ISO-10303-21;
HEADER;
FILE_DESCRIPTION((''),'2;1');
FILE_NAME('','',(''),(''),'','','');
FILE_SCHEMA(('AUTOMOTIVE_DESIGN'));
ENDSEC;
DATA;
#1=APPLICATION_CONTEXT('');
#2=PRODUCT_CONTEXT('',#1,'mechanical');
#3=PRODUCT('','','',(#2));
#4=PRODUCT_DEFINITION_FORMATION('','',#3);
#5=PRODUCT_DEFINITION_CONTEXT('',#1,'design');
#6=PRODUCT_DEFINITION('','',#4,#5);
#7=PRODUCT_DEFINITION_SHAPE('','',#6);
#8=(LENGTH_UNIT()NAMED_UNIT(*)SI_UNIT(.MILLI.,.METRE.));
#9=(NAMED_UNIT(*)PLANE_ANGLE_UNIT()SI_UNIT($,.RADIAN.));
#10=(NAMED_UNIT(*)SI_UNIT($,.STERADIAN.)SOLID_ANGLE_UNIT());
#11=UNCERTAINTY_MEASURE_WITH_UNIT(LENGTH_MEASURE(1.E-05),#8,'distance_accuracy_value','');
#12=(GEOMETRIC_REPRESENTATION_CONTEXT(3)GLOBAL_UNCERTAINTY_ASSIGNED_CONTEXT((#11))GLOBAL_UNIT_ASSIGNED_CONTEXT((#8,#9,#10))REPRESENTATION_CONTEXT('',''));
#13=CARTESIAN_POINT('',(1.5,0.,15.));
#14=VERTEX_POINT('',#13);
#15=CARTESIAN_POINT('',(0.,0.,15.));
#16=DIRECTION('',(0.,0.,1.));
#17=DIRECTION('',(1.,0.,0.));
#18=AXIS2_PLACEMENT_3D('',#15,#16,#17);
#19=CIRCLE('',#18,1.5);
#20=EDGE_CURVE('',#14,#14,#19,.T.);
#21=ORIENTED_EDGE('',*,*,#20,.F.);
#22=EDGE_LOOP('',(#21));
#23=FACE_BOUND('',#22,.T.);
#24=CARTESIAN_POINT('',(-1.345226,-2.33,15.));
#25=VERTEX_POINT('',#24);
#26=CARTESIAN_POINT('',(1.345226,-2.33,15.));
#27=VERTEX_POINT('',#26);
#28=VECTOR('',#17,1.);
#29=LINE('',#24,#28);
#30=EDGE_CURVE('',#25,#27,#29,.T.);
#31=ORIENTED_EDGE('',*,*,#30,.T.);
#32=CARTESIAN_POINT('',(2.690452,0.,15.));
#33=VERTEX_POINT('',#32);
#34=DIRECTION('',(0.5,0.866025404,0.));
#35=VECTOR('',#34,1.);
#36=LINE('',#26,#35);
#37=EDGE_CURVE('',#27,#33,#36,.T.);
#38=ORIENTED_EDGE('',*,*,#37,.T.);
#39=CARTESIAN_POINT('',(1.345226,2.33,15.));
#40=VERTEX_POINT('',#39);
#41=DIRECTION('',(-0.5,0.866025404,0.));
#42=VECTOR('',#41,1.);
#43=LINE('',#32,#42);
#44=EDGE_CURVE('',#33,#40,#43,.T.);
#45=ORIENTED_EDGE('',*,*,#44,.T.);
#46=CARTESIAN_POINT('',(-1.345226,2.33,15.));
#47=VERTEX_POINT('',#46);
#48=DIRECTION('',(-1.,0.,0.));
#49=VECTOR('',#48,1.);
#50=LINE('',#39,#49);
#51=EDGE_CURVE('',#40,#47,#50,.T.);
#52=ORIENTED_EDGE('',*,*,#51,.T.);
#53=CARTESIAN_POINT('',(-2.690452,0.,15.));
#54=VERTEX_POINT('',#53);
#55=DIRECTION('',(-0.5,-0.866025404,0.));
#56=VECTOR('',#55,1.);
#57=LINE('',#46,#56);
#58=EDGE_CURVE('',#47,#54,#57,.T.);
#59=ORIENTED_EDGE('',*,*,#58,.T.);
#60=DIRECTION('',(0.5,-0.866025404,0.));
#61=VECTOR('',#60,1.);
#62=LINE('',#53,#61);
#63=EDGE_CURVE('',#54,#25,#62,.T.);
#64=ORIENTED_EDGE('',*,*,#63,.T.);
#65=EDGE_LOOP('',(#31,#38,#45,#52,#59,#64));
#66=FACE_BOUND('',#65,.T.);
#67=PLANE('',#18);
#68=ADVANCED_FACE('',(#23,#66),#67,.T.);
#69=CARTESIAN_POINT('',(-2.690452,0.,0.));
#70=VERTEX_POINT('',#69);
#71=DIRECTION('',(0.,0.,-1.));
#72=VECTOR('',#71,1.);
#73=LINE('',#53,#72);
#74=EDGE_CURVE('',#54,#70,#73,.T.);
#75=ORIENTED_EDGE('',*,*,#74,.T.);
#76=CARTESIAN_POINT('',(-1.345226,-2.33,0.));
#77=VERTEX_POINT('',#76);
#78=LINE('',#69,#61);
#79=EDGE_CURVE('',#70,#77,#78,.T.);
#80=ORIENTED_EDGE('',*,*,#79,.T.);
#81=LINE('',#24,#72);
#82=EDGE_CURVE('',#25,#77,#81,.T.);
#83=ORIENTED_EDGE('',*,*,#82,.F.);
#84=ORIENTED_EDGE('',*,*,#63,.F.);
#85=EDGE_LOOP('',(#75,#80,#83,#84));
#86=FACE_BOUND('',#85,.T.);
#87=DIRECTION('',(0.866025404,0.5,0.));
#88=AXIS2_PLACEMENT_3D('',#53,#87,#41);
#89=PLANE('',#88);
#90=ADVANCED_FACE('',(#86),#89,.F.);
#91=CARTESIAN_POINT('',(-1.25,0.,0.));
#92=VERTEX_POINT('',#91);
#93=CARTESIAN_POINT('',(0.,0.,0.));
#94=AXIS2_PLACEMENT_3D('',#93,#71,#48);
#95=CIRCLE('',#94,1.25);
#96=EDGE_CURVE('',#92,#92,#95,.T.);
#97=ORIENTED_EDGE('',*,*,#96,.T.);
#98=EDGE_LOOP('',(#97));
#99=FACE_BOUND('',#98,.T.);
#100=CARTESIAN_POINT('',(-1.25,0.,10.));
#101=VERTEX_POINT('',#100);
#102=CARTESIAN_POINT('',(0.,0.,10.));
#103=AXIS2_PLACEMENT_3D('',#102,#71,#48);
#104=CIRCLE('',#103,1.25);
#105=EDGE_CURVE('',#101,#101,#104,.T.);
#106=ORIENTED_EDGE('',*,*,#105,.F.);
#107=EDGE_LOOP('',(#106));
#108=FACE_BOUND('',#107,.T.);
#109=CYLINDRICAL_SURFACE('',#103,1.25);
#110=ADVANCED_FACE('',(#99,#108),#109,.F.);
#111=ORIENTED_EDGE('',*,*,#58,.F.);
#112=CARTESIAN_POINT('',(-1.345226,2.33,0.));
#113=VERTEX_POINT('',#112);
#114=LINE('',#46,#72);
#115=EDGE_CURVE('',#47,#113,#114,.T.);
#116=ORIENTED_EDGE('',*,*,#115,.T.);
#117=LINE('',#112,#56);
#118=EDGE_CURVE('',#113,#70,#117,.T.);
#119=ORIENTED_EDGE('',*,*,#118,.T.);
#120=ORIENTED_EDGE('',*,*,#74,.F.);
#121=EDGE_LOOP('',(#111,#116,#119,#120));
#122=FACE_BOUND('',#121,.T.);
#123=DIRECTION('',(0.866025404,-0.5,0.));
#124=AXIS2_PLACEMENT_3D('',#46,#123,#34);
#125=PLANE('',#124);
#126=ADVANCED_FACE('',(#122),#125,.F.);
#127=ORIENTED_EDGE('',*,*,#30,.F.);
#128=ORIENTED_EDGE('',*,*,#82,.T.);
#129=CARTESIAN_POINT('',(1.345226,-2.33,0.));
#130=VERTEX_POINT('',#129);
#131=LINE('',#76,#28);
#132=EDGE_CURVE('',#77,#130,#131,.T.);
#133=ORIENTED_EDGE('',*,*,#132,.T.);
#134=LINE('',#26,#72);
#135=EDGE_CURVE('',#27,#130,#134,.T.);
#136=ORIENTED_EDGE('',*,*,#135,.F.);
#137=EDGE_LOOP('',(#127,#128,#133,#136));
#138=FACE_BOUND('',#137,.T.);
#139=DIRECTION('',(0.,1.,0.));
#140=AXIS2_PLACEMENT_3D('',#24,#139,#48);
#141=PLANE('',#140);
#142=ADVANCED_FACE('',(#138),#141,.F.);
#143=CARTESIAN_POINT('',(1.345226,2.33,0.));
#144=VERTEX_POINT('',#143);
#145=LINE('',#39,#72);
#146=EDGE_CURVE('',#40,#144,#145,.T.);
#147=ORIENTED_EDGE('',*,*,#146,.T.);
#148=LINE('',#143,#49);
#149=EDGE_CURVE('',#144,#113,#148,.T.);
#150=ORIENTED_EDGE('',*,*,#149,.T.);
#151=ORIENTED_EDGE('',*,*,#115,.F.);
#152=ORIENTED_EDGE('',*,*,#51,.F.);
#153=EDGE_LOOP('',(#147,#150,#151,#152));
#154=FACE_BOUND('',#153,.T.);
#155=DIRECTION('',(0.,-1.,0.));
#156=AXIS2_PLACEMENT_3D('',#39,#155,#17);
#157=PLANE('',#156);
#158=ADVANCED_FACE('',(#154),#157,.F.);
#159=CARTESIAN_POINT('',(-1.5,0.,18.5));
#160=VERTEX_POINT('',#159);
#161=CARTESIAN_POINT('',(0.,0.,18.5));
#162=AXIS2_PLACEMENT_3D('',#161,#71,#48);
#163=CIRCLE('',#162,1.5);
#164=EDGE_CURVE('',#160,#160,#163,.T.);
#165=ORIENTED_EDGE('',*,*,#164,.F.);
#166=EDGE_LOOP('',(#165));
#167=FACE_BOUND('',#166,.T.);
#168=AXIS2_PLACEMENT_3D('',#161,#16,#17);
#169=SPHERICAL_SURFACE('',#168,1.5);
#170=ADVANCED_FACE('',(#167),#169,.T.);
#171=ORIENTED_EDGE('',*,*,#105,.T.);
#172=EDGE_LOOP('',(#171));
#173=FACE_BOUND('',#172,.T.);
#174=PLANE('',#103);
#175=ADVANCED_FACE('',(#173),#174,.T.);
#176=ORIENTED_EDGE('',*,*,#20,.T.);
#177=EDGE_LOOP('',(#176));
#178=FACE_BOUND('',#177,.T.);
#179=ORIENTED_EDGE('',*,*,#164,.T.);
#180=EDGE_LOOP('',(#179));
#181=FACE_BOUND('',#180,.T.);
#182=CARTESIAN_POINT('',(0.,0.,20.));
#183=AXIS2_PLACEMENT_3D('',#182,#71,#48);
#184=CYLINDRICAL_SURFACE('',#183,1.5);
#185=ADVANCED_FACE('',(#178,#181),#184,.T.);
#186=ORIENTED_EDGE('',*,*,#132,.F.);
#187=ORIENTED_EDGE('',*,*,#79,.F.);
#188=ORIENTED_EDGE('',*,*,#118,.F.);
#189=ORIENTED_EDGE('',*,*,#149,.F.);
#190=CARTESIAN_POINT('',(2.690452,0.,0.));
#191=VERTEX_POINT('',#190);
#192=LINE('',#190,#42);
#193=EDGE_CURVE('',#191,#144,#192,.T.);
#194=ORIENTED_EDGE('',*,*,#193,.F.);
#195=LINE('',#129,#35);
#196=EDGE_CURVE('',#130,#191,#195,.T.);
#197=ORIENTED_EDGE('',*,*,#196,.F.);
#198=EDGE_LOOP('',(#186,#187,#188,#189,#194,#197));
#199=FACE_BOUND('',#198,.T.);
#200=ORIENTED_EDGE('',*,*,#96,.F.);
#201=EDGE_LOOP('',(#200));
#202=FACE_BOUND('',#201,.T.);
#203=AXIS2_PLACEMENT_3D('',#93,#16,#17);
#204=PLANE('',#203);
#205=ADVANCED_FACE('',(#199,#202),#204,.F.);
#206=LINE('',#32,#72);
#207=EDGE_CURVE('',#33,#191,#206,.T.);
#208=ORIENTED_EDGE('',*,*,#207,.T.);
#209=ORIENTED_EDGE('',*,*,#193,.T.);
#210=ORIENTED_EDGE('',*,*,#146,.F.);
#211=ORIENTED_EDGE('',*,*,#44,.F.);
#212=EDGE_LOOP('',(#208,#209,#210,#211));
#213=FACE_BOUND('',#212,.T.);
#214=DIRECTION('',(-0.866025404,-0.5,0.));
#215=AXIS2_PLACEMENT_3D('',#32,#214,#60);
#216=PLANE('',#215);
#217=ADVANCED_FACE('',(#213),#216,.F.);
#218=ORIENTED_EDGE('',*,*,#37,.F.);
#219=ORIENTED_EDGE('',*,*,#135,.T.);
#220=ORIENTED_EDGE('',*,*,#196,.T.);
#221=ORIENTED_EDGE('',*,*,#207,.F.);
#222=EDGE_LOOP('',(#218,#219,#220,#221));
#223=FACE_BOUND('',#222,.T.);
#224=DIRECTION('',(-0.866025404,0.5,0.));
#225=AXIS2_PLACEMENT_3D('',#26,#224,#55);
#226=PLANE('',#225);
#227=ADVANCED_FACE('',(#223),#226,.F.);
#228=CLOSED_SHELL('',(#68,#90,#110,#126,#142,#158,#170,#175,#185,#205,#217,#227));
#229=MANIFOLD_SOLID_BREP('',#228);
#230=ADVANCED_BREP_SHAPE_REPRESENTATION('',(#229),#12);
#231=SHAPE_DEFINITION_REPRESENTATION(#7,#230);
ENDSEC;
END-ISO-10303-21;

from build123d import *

# Parameters (mm, degrees)
EXTRUDE_1_DEPTH     = 15
SKETCH_2_R          = 1.5
EXTRUDE_2_DEPTH     = 5
FILLET_1_R          = 1.5
SKETCH_3_R          = 1.25
CUT_EXTRUDE_1_DEPTH = 10


with BuildPart() as part:
    # 草图1 → 凸台-拉伸1 (new body)
    with BuildSketch(Plane.XY):
        Polygon((2.690452254, 0), (1.345226127, 2.33), (-1.345226127, 2.33), (-2.690452254, 0), (-1.345226127, -2.33), (1.345226127, -2.33), align=None)
    extrude(amount=EXTRUDE_1_DEPTH)

    # 草图2 → 凸台-拉伸2 (add)
    with BuildSketch(Plane.XY.offset(15)):
        Circle(SKETCH_2_R)
    extrude(amount=EXTRUDE_2_DEPTH)

    # 圆角1
    fillet_1_edges = [part.edges().sort_by_distance(p)[0] for p in [
        (-1.5, 0, 20),
    ]]
    fillet(fillet_1_edges, radius=FILLET_1_R)

    # 草图3 → 切除-拉伸1 (cut)
    with BuildSketch(Plane(origin=(0, 0, 0), x_dir=(-1, 0, 0), z_dir=(0, 0, -1))):
        Circle(SKETCH_3_R)
    extrude(amount=-CUT_EXTRUDE_1_DEPTH, mode=Mode.SUBTRACT)


solid = part.part
